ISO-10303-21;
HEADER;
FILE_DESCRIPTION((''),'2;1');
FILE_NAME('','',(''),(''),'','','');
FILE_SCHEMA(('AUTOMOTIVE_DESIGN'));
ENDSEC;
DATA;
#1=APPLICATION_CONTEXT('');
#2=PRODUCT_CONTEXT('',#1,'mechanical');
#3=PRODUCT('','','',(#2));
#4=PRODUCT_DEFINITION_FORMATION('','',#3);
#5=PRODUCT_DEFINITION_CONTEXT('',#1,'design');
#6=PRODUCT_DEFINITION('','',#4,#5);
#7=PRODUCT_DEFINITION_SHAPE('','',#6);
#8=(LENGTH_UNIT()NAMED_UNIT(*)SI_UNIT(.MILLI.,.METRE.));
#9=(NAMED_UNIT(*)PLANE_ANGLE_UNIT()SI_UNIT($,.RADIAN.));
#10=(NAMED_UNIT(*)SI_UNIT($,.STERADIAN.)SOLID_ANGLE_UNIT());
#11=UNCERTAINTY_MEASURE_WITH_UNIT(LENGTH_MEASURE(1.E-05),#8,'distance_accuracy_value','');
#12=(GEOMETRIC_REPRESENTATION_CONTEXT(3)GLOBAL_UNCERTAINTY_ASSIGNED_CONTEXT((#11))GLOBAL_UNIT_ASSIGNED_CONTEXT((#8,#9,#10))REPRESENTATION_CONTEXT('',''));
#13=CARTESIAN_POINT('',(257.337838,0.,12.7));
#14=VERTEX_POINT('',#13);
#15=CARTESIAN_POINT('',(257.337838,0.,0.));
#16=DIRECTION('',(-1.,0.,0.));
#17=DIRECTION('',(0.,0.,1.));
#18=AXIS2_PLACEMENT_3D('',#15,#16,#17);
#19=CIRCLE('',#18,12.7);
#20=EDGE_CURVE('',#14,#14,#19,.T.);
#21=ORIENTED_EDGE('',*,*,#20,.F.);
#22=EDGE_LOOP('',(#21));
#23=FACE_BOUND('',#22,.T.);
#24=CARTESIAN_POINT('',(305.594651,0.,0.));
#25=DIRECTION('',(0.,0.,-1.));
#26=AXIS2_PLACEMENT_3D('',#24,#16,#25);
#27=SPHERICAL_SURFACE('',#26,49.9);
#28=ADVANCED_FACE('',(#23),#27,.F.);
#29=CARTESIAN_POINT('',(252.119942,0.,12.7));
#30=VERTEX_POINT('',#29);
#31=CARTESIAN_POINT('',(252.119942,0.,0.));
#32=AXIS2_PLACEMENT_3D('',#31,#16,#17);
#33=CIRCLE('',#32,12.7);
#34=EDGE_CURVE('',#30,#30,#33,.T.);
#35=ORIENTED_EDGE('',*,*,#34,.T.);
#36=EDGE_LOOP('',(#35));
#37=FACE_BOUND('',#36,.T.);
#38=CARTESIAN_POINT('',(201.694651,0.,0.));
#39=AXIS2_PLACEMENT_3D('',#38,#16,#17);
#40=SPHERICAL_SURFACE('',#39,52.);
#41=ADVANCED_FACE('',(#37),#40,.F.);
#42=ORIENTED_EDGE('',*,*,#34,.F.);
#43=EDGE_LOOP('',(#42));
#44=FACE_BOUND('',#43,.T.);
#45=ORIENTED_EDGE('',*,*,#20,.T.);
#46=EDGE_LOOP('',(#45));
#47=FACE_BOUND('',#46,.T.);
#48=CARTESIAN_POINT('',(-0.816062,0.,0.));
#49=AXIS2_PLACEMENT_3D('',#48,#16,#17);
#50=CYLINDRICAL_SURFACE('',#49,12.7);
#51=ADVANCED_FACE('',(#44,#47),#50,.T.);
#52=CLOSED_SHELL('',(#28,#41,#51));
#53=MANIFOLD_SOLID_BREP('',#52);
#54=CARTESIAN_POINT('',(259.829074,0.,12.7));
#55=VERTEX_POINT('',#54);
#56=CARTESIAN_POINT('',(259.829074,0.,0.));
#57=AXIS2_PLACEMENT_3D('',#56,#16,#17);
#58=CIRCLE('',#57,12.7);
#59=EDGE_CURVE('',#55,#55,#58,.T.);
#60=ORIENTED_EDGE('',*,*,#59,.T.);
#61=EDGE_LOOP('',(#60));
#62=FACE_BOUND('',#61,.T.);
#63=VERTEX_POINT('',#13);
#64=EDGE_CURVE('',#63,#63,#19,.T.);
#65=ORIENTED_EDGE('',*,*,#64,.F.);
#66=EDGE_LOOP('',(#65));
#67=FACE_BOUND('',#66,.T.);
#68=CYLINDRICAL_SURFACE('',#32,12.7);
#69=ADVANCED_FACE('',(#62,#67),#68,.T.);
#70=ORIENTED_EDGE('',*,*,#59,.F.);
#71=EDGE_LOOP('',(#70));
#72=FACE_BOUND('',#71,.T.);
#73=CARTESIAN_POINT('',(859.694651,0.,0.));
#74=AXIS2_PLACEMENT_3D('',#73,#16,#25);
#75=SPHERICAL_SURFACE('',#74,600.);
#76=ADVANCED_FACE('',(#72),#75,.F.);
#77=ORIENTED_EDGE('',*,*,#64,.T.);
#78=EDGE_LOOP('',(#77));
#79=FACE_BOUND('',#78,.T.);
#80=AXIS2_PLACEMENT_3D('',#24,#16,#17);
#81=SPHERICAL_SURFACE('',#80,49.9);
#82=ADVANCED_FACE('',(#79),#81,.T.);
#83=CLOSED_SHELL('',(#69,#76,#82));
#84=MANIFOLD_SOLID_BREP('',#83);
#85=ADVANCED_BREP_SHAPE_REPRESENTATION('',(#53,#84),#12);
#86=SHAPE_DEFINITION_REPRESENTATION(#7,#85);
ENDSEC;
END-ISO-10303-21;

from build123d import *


with BuildPart() as part:
    # 草图1 one side → 旋转1 (revolve)
    with BuildSketch(Plane(origin=(0, 0, 0), x_dir=(1, 0, 0), z_dir=(0, 1, 0)), mode=Mode.PRIVATE) as revolve_1_sk:
        with BuildLine():
            Line((257.337837551, 12.7), (252.119941814, 12.7))
            ThreePointArc((252.119941814, 12.7), (253.299471761, 6.398626954), (253.694650541, 0))
            Line((253.694650541, 0), (255.694650541, 0))
            ThreePointArc((255.694650541, 0), (256.10715228, 6.402930258), (257.337837551, 12.7))
        make_face()
    revolve(revolve_1_sk.sketch.rotate(Axis((-0.816062176, 0, 0), (1, 0, 0)), 180), axis=Axis((-0.816062176, 0, 0), (1, 0, 0)))  # turned: the seam where the file's is


with BuildPart() as body_2:
    # 草图2 one side → 旋转3 (revolve)
    with BuildSketch(Plane(origin=(0, 0, 0), x_dir=(1, 0, 0), z_dir=(0, 1, 0)), mode=Mode.PRIVATE) as revolve_3_sk:
        with BuildLine():
            Line((259.829073932, 12.7), (257.337837551, 12.7))
            ThreePointArc((257.337837551, 12.7), (256.10715228, 6.402930258), (255.694650541, 0))
            Line((255.694650541, 0), (259.694650541, 0))
            ThreePointArc((259.694650541, 0), (259.72825733, 6.350355692), (259.829073932, 12.7))
        make_face()
    revolve(revolve_3_sk.sketch.rotate(Axis((252.119941814, 0, 0), (1, 0, 0)), 180), axis=Axis((252.119941814, 0, 0), (1, 0, 0)))  # turned: the seam where the file's is


solid = Compound([part.part, body_2.part])
